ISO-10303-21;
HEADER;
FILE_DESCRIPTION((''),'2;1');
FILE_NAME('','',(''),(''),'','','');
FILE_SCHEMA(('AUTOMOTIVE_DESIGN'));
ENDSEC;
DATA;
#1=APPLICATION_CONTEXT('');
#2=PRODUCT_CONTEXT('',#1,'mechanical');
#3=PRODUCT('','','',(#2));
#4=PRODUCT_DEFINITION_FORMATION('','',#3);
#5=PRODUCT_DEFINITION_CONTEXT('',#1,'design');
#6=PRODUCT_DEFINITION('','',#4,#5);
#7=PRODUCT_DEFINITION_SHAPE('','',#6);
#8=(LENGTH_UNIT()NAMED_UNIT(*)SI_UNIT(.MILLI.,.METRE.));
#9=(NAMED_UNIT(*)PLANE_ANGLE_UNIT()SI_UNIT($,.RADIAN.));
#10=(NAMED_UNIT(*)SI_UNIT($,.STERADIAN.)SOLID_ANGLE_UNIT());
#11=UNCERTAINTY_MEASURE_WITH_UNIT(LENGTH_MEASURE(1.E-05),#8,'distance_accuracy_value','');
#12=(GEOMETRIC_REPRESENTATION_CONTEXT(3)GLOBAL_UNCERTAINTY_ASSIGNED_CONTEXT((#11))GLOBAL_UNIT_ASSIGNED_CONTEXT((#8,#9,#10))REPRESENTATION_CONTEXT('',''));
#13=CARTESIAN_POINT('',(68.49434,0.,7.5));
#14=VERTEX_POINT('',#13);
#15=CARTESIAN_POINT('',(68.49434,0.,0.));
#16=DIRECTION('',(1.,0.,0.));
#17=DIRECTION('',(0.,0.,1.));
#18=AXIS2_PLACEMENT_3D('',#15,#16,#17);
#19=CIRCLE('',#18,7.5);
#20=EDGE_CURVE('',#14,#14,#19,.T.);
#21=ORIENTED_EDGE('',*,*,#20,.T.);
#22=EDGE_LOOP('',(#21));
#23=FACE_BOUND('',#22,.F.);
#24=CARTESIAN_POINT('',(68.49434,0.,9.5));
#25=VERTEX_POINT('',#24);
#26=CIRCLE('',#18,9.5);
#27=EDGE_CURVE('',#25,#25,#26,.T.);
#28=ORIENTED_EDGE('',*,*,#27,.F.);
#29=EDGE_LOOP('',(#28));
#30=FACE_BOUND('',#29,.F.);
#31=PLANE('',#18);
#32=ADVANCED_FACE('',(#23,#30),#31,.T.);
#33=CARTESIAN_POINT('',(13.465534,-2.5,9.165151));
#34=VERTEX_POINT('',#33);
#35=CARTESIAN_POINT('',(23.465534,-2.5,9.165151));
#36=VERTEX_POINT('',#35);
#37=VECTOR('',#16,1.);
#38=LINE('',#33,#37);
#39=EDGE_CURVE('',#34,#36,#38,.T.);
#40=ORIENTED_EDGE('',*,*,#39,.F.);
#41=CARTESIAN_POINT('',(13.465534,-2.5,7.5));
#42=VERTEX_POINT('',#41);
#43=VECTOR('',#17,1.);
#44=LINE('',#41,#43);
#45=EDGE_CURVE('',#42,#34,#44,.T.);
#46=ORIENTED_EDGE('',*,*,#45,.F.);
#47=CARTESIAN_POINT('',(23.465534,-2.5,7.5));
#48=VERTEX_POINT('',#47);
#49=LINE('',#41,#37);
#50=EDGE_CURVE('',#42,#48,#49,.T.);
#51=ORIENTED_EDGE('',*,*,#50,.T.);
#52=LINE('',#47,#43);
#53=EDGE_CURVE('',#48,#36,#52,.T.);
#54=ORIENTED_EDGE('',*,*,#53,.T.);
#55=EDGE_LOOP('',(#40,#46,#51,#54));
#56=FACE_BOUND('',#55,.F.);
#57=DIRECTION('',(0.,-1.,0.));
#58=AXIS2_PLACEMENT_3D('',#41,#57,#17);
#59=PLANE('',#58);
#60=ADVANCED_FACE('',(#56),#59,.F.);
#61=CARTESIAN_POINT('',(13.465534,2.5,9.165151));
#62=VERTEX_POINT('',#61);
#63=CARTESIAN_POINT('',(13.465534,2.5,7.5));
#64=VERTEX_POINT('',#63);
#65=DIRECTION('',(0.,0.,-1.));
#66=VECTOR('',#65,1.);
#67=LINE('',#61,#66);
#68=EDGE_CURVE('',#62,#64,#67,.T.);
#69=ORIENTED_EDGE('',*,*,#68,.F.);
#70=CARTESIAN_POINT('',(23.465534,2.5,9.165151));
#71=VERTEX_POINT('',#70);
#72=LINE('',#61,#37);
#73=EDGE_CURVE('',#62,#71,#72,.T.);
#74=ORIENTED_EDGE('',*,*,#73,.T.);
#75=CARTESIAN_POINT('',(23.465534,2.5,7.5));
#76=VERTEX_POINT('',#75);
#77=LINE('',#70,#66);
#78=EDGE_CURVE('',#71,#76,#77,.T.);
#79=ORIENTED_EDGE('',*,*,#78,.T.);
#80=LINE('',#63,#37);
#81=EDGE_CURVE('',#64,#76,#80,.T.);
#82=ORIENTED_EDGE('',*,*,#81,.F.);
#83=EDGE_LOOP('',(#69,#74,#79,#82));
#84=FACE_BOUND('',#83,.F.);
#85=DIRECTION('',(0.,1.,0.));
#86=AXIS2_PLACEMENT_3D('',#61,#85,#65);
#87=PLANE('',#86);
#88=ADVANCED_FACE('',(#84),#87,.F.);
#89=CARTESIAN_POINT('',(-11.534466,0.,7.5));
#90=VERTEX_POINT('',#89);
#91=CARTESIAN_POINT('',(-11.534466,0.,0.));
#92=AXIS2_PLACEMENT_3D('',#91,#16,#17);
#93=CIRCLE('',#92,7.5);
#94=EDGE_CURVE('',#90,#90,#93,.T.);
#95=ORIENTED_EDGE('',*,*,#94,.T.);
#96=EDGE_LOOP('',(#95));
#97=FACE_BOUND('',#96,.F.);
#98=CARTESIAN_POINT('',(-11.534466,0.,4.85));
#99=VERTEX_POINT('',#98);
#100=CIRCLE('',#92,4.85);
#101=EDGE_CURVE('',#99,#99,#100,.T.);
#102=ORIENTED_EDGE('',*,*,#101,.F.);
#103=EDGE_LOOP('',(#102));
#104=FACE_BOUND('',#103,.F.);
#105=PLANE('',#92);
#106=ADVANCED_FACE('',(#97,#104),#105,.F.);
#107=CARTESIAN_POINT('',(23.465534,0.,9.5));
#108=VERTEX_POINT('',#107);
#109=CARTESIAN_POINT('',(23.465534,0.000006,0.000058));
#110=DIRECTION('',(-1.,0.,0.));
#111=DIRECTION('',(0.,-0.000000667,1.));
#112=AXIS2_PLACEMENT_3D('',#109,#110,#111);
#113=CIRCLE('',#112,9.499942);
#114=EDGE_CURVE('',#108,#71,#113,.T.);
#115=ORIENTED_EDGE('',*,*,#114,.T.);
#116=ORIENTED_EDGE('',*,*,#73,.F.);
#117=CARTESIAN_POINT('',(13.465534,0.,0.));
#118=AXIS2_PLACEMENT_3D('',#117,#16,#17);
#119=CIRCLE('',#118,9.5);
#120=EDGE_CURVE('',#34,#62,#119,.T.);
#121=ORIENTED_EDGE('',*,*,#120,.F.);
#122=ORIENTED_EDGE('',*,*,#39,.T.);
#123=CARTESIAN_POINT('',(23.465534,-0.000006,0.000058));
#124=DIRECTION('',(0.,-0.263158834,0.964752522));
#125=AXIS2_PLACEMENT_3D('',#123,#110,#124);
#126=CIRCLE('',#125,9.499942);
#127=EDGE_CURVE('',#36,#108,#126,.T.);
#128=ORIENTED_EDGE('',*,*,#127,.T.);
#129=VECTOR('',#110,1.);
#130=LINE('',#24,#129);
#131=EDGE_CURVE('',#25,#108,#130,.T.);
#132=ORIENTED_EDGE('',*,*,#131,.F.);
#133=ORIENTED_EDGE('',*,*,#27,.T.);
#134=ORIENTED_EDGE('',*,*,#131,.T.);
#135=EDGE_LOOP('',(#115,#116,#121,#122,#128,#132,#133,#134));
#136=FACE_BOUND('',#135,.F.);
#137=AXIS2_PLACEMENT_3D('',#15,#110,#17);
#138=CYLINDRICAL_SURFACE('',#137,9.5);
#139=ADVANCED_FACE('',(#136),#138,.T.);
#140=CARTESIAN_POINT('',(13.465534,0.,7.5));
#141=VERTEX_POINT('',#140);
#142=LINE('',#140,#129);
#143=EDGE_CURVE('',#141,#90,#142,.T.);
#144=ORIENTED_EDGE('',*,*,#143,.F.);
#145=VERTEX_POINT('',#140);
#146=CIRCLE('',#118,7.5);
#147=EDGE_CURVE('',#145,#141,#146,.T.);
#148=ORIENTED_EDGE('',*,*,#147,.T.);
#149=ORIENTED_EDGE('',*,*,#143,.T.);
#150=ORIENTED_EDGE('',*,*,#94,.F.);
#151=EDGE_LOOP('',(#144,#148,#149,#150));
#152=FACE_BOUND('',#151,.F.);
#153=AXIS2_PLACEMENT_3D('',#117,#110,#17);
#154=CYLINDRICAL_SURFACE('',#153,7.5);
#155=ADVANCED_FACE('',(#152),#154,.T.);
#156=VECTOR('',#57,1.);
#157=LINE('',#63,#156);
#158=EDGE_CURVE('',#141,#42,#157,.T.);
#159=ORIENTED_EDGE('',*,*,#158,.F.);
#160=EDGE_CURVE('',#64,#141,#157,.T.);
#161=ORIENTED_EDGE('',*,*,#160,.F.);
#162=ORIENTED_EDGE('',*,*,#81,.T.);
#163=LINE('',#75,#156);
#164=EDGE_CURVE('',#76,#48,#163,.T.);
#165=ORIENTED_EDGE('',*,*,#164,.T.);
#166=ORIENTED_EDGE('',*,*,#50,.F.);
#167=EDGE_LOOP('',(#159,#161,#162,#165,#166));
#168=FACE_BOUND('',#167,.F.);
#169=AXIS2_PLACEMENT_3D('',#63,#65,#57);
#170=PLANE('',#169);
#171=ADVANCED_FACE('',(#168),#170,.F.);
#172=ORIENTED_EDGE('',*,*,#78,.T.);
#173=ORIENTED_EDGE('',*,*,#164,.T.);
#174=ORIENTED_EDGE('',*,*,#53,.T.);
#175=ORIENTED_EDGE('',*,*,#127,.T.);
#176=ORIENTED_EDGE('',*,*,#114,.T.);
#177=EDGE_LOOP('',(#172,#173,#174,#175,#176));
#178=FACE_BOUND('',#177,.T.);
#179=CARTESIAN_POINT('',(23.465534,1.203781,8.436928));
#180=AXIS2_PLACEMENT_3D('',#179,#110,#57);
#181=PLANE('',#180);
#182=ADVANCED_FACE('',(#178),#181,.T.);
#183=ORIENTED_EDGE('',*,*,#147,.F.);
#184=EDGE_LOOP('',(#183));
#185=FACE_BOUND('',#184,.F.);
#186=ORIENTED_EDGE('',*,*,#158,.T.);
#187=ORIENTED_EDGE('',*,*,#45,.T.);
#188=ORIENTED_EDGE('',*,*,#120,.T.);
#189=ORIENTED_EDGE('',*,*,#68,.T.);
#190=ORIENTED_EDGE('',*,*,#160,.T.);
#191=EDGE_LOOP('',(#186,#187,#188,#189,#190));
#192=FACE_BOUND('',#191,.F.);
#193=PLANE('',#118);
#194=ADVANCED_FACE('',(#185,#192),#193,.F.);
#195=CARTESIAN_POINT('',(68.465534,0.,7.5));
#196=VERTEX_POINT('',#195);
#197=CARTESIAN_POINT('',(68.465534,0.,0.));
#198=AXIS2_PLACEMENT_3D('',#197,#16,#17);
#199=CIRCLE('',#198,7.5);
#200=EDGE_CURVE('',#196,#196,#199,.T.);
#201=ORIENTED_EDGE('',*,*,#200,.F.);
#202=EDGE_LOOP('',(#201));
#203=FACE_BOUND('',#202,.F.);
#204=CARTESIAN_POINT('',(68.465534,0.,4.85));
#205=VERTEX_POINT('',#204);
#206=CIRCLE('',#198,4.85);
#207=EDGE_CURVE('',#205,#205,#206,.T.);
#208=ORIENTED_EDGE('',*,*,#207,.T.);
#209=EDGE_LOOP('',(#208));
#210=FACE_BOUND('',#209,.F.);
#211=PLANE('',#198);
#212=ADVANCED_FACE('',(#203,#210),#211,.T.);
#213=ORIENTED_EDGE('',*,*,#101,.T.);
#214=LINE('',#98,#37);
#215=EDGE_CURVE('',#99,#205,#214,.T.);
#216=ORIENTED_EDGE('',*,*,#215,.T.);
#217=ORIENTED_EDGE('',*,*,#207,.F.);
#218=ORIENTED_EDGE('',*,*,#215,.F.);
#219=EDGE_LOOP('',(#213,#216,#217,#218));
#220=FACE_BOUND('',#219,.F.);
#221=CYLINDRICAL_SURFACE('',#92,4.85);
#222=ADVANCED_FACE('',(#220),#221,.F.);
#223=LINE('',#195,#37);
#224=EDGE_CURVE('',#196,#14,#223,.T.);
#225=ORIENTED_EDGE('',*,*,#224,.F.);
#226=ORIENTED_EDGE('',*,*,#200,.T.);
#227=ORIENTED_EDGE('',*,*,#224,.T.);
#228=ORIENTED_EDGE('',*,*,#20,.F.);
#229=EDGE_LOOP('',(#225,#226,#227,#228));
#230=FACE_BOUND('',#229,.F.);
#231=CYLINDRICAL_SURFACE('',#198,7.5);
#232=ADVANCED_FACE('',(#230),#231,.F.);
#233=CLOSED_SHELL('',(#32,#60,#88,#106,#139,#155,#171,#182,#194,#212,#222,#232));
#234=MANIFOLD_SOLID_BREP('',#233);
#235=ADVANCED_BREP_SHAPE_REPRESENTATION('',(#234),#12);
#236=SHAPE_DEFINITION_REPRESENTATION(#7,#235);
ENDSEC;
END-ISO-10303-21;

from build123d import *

# Parameters (mm, degrees)
F3_DEPTH = 10


with BuildPart() as f1:
    # F0 (on Front) → F1 (revolve)
    with BuildSketch(Plane.XZ):
        Polygon((-11.534466, 7.5), (-11.534466, 4.85), (68.465534, 4.85), (68.465534, 7.5), (68.49434, 7.5), (68.49434, 9.5), (13.465534, 9.5), (13.465534, 7.5), align=None)
    revolve(axis=Axis((0.277142, 0, 0), (1, 0, 0)))

    # F2 (on face) → F3 (cut)
    with BuildSketch(Plane(origin=(13.465534, 0, 0), x_dir=(0, -1, 0), z_dir=(-1, 0, 0))):
        with BuildLine():
            Line((-2.5, 7.5), (0, 7.5))
            Line((0, 7.5), (0, 9.5))
            ThreePointArc((0, 9.5), (-1.261163, 9.415916), (-2.5, 9.165151))
            Line((-2.5, 9.165151), (-2.5, 7.5))
        make_face()
        with BuildLine():
            Line((0, 9.5), (0, 7.5))
            Line((0, 7.5), (2.5, 7.5))
            Line((2.5, 7.5), (2.5, 9.165151))
            ThreePointArc((2.5, 9.165151), (1.261163, 9.415916), (0, 9.5))
        make_face()
    extrude(amount=-F3_DEPTH, mode=Mode.SUBTRACT)


solid = f1.part
